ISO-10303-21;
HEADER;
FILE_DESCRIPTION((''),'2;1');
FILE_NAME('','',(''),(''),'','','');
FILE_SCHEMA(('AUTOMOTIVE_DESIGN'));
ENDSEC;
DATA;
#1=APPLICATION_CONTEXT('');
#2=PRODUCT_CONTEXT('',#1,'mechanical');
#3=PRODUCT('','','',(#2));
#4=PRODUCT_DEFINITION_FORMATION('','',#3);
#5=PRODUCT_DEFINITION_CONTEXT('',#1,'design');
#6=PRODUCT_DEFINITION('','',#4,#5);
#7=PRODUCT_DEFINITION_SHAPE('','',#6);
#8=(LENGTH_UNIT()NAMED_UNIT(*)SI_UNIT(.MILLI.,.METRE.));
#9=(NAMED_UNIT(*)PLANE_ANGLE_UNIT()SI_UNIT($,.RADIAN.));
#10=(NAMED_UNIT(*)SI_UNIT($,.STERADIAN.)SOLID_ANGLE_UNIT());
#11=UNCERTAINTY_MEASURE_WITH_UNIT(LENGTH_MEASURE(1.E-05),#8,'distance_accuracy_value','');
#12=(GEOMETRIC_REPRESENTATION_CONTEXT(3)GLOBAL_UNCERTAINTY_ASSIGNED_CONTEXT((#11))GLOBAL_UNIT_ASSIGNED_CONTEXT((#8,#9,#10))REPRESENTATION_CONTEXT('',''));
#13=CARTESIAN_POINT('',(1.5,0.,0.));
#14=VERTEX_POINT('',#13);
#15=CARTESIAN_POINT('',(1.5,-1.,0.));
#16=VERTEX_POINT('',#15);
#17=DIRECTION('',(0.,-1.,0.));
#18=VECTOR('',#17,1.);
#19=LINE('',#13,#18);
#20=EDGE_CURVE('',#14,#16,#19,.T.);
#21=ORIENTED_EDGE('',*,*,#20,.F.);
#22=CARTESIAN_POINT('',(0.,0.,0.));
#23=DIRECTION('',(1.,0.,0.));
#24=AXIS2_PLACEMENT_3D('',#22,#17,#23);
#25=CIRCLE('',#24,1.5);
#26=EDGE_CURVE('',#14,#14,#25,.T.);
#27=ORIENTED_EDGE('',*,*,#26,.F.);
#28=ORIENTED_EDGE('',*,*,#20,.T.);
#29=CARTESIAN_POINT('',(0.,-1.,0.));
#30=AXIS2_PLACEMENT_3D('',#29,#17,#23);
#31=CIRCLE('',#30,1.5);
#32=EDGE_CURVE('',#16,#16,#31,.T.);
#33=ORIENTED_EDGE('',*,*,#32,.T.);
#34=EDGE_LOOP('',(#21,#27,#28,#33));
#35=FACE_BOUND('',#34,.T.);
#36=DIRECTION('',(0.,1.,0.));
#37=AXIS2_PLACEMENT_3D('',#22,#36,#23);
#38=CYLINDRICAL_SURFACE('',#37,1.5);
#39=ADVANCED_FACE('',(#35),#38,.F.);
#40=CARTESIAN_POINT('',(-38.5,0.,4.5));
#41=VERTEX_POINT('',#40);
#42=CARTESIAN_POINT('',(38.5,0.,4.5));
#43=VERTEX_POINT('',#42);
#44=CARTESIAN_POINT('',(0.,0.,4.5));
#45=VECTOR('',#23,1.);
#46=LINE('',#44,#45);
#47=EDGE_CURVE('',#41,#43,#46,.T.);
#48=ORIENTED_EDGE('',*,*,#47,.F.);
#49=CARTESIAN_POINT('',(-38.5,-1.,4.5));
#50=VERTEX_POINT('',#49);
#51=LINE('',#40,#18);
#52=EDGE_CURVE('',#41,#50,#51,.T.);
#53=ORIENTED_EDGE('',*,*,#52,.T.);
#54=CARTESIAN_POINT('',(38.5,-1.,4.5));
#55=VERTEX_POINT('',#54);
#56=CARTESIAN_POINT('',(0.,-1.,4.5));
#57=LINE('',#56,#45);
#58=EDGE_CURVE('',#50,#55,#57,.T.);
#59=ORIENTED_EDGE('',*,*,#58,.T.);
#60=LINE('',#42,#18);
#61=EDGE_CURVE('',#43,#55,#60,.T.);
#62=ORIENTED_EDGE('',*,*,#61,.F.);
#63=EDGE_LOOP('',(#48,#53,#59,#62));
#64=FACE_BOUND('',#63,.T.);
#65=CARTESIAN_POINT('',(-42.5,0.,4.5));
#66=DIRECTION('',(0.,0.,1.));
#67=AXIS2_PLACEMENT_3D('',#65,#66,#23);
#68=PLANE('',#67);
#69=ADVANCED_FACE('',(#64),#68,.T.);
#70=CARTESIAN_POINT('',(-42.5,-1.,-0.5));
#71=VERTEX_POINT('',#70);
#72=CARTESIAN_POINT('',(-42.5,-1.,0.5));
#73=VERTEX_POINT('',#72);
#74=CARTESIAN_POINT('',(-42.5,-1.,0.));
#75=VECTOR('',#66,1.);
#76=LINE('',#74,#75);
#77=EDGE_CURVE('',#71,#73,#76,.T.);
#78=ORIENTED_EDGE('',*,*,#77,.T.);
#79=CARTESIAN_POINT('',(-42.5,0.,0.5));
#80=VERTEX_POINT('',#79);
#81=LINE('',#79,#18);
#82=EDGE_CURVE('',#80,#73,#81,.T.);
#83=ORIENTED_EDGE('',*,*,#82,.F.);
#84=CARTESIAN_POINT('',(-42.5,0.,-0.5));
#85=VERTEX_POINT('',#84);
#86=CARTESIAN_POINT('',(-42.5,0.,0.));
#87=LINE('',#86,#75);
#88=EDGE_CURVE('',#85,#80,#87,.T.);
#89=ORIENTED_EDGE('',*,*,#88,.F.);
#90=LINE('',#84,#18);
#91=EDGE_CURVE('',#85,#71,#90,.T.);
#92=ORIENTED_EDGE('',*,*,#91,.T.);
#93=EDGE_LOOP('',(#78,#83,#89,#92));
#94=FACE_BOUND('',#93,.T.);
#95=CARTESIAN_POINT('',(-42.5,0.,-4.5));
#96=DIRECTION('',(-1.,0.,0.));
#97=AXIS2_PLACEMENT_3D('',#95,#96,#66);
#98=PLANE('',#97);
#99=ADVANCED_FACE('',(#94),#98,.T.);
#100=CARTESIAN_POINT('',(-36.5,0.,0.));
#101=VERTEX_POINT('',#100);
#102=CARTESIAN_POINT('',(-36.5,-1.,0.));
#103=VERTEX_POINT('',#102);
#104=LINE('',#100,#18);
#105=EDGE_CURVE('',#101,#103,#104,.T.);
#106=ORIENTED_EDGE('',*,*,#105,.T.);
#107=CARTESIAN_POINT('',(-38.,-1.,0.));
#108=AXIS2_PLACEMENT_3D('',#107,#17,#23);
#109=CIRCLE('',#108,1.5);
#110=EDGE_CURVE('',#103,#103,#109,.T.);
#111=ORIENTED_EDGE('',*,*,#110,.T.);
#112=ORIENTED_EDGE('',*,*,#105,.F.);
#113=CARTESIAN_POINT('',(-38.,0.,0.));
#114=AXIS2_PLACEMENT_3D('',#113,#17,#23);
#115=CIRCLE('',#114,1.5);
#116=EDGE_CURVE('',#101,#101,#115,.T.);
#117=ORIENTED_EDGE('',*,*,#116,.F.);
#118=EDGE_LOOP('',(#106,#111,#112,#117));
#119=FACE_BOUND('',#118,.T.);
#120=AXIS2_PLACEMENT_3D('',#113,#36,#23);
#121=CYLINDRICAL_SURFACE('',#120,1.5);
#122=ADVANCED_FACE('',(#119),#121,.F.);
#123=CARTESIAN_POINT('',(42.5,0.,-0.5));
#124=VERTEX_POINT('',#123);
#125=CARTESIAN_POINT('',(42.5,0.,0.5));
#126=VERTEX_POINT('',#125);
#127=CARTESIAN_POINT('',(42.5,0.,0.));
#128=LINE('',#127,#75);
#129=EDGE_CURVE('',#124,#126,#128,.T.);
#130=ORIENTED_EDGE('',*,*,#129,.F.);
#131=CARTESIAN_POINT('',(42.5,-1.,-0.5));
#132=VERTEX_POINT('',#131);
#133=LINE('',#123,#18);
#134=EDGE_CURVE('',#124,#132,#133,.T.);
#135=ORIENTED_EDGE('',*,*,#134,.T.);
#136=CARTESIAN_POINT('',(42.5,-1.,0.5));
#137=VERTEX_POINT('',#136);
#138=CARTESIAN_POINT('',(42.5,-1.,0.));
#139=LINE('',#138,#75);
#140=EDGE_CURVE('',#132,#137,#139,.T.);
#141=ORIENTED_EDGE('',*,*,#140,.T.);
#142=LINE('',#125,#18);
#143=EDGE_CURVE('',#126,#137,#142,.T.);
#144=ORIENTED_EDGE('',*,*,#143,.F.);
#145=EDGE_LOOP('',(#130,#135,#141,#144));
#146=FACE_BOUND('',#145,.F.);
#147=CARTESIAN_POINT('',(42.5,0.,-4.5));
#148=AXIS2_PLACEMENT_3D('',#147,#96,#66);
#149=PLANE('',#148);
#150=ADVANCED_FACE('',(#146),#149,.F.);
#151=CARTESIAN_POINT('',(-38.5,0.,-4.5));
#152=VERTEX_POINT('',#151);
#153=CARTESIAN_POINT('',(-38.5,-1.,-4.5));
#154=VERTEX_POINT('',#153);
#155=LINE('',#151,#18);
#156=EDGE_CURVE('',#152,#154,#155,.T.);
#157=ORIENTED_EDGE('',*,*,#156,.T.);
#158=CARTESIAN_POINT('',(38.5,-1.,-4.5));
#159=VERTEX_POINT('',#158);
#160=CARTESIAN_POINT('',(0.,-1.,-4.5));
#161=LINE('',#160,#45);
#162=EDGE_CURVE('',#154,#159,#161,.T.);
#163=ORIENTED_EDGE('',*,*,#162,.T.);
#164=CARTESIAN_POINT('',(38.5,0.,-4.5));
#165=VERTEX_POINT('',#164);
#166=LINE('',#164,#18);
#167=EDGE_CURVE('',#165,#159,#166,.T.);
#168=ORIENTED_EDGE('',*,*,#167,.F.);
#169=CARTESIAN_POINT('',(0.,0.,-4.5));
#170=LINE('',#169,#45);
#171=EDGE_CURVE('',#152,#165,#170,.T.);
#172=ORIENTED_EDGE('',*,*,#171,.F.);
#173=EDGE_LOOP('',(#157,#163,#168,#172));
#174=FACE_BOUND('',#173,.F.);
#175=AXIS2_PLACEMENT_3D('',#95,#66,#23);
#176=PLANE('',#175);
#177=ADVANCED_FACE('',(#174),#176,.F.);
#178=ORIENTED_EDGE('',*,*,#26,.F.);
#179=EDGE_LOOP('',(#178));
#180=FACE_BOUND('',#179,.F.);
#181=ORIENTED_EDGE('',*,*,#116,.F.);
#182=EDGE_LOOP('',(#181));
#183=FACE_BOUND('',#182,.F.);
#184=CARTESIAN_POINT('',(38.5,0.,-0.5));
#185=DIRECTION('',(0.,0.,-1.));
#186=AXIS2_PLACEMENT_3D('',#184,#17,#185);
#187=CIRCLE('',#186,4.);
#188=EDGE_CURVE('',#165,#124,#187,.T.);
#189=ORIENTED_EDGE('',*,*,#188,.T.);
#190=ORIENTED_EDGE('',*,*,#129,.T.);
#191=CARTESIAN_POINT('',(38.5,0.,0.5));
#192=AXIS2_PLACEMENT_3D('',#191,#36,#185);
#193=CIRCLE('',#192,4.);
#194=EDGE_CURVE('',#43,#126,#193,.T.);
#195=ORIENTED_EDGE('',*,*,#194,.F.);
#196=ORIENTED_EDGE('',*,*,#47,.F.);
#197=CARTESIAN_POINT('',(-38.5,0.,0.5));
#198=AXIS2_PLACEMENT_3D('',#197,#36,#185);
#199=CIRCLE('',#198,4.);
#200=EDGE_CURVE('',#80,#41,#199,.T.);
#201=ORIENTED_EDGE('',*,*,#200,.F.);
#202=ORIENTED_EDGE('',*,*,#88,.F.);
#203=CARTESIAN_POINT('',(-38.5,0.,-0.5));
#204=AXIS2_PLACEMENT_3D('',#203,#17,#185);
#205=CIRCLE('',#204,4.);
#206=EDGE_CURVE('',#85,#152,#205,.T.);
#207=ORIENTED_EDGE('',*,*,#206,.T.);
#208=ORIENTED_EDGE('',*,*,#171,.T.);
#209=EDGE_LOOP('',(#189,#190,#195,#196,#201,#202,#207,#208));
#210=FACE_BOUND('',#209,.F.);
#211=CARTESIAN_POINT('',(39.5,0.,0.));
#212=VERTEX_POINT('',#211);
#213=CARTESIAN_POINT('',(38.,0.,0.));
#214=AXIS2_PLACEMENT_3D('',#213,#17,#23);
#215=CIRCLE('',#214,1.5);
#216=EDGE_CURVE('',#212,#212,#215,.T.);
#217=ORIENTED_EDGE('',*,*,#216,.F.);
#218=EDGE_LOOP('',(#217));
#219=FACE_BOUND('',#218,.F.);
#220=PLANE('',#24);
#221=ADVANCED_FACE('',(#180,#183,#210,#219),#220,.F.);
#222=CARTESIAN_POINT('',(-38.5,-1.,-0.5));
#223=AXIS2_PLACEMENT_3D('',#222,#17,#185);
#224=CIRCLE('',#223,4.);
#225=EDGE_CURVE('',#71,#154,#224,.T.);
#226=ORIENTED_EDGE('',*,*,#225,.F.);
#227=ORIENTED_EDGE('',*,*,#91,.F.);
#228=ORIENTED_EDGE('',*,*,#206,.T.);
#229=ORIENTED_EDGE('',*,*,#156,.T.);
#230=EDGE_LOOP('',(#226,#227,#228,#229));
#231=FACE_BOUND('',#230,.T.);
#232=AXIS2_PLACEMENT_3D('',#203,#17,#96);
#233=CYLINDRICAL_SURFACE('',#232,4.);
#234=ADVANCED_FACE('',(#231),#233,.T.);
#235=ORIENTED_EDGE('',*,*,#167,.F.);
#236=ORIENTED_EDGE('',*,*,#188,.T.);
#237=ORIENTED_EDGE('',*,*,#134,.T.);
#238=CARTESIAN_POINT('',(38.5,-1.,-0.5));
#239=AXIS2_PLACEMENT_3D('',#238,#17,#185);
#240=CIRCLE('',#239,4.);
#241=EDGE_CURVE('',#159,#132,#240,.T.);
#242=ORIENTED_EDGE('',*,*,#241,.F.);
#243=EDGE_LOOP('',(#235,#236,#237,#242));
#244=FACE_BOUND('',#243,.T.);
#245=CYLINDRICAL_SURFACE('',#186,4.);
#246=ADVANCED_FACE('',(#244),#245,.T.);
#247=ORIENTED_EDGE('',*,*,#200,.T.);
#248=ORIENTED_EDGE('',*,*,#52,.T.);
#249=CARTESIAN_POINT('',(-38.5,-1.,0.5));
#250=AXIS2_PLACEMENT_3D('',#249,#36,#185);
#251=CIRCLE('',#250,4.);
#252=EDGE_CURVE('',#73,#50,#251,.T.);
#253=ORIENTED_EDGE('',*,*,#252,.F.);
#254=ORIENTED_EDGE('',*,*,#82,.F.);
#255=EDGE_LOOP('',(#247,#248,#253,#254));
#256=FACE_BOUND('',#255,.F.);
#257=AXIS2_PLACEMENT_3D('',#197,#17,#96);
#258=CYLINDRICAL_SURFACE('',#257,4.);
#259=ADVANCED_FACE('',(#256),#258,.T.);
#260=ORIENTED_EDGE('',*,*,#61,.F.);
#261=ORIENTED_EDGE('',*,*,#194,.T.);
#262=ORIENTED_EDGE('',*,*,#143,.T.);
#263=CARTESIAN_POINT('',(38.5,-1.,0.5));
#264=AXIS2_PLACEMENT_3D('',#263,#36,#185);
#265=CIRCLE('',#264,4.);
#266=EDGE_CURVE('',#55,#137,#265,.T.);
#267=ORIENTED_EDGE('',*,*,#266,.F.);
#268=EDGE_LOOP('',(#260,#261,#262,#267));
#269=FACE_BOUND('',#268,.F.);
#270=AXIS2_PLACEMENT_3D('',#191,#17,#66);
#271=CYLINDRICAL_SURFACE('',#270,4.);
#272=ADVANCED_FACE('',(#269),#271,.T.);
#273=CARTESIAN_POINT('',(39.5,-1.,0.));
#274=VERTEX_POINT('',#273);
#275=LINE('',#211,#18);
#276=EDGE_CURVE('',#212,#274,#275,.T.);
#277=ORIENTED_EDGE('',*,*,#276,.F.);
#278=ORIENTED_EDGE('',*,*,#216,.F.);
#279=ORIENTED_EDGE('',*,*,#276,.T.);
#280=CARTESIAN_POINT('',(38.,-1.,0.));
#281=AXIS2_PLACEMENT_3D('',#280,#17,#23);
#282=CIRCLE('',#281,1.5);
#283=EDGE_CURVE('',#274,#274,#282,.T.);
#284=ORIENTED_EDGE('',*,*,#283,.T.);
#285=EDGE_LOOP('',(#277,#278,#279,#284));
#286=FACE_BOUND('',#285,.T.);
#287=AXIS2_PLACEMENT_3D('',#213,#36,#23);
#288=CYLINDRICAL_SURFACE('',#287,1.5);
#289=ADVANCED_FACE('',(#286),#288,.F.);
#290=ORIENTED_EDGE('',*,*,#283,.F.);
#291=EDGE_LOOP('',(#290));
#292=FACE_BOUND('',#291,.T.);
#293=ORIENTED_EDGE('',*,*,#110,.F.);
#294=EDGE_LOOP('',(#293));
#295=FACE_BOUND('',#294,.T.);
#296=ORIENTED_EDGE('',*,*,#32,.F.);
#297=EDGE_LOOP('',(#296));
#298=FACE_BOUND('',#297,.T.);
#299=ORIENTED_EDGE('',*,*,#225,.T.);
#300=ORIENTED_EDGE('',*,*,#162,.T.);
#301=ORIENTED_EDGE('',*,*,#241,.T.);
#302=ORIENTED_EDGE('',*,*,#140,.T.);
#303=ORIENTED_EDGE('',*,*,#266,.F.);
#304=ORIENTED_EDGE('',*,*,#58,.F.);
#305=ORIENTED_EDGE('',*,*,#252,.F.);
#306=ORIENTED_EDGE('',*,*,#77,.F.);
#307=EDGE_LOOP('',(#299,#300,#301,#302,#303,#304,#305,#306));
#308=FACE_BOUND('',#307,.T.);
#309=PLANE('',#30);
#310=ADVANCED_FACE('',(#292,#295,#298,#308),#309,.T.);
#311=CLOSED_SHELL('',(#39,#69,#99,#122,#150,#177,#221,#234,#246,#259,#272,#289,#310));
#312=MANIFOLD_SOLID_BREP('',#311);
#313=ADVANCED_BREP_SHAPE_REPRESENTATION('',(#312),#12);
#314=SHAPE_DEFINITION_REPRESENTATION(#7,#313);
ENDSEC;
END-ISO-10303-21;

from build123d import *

# Parameters (mm, degrees)
F0_W     = 85
F0_H     = 9
F0_R     = 1.5
F1_DEPTH = 1
F2_R     = 4


with BuildPart() as f1:
    # F0 (on Front) → F1 (new body)
    with BuildSketch(Plane.XZ):
        Rectangle(F0_W, F0_H)
        with Locations((-38, 0)):
            Circle(F0_R, mode=Mode.SUBTRACT)
        Circle(F0_R, mode=Mode.SUBTRACT)
        with Locations((38, 0)):
            Circle(F0_R, mode=Mode.SUBTRACT)
    extrude(amount=F1_DEPTH)

    # F2
    f2_edges = [f1.edges().sort_by_distance(p)[0] for p in [
        (-42.5, -0.5, 4.5),
        (-42.5, -0.5, -4.5),
        (42.5, -0.5, -4.5),
        (42.5, -0.5, 4.5),
    ]]
    fillet(f2_edges, radius=F2_R)


solid = f1.part
